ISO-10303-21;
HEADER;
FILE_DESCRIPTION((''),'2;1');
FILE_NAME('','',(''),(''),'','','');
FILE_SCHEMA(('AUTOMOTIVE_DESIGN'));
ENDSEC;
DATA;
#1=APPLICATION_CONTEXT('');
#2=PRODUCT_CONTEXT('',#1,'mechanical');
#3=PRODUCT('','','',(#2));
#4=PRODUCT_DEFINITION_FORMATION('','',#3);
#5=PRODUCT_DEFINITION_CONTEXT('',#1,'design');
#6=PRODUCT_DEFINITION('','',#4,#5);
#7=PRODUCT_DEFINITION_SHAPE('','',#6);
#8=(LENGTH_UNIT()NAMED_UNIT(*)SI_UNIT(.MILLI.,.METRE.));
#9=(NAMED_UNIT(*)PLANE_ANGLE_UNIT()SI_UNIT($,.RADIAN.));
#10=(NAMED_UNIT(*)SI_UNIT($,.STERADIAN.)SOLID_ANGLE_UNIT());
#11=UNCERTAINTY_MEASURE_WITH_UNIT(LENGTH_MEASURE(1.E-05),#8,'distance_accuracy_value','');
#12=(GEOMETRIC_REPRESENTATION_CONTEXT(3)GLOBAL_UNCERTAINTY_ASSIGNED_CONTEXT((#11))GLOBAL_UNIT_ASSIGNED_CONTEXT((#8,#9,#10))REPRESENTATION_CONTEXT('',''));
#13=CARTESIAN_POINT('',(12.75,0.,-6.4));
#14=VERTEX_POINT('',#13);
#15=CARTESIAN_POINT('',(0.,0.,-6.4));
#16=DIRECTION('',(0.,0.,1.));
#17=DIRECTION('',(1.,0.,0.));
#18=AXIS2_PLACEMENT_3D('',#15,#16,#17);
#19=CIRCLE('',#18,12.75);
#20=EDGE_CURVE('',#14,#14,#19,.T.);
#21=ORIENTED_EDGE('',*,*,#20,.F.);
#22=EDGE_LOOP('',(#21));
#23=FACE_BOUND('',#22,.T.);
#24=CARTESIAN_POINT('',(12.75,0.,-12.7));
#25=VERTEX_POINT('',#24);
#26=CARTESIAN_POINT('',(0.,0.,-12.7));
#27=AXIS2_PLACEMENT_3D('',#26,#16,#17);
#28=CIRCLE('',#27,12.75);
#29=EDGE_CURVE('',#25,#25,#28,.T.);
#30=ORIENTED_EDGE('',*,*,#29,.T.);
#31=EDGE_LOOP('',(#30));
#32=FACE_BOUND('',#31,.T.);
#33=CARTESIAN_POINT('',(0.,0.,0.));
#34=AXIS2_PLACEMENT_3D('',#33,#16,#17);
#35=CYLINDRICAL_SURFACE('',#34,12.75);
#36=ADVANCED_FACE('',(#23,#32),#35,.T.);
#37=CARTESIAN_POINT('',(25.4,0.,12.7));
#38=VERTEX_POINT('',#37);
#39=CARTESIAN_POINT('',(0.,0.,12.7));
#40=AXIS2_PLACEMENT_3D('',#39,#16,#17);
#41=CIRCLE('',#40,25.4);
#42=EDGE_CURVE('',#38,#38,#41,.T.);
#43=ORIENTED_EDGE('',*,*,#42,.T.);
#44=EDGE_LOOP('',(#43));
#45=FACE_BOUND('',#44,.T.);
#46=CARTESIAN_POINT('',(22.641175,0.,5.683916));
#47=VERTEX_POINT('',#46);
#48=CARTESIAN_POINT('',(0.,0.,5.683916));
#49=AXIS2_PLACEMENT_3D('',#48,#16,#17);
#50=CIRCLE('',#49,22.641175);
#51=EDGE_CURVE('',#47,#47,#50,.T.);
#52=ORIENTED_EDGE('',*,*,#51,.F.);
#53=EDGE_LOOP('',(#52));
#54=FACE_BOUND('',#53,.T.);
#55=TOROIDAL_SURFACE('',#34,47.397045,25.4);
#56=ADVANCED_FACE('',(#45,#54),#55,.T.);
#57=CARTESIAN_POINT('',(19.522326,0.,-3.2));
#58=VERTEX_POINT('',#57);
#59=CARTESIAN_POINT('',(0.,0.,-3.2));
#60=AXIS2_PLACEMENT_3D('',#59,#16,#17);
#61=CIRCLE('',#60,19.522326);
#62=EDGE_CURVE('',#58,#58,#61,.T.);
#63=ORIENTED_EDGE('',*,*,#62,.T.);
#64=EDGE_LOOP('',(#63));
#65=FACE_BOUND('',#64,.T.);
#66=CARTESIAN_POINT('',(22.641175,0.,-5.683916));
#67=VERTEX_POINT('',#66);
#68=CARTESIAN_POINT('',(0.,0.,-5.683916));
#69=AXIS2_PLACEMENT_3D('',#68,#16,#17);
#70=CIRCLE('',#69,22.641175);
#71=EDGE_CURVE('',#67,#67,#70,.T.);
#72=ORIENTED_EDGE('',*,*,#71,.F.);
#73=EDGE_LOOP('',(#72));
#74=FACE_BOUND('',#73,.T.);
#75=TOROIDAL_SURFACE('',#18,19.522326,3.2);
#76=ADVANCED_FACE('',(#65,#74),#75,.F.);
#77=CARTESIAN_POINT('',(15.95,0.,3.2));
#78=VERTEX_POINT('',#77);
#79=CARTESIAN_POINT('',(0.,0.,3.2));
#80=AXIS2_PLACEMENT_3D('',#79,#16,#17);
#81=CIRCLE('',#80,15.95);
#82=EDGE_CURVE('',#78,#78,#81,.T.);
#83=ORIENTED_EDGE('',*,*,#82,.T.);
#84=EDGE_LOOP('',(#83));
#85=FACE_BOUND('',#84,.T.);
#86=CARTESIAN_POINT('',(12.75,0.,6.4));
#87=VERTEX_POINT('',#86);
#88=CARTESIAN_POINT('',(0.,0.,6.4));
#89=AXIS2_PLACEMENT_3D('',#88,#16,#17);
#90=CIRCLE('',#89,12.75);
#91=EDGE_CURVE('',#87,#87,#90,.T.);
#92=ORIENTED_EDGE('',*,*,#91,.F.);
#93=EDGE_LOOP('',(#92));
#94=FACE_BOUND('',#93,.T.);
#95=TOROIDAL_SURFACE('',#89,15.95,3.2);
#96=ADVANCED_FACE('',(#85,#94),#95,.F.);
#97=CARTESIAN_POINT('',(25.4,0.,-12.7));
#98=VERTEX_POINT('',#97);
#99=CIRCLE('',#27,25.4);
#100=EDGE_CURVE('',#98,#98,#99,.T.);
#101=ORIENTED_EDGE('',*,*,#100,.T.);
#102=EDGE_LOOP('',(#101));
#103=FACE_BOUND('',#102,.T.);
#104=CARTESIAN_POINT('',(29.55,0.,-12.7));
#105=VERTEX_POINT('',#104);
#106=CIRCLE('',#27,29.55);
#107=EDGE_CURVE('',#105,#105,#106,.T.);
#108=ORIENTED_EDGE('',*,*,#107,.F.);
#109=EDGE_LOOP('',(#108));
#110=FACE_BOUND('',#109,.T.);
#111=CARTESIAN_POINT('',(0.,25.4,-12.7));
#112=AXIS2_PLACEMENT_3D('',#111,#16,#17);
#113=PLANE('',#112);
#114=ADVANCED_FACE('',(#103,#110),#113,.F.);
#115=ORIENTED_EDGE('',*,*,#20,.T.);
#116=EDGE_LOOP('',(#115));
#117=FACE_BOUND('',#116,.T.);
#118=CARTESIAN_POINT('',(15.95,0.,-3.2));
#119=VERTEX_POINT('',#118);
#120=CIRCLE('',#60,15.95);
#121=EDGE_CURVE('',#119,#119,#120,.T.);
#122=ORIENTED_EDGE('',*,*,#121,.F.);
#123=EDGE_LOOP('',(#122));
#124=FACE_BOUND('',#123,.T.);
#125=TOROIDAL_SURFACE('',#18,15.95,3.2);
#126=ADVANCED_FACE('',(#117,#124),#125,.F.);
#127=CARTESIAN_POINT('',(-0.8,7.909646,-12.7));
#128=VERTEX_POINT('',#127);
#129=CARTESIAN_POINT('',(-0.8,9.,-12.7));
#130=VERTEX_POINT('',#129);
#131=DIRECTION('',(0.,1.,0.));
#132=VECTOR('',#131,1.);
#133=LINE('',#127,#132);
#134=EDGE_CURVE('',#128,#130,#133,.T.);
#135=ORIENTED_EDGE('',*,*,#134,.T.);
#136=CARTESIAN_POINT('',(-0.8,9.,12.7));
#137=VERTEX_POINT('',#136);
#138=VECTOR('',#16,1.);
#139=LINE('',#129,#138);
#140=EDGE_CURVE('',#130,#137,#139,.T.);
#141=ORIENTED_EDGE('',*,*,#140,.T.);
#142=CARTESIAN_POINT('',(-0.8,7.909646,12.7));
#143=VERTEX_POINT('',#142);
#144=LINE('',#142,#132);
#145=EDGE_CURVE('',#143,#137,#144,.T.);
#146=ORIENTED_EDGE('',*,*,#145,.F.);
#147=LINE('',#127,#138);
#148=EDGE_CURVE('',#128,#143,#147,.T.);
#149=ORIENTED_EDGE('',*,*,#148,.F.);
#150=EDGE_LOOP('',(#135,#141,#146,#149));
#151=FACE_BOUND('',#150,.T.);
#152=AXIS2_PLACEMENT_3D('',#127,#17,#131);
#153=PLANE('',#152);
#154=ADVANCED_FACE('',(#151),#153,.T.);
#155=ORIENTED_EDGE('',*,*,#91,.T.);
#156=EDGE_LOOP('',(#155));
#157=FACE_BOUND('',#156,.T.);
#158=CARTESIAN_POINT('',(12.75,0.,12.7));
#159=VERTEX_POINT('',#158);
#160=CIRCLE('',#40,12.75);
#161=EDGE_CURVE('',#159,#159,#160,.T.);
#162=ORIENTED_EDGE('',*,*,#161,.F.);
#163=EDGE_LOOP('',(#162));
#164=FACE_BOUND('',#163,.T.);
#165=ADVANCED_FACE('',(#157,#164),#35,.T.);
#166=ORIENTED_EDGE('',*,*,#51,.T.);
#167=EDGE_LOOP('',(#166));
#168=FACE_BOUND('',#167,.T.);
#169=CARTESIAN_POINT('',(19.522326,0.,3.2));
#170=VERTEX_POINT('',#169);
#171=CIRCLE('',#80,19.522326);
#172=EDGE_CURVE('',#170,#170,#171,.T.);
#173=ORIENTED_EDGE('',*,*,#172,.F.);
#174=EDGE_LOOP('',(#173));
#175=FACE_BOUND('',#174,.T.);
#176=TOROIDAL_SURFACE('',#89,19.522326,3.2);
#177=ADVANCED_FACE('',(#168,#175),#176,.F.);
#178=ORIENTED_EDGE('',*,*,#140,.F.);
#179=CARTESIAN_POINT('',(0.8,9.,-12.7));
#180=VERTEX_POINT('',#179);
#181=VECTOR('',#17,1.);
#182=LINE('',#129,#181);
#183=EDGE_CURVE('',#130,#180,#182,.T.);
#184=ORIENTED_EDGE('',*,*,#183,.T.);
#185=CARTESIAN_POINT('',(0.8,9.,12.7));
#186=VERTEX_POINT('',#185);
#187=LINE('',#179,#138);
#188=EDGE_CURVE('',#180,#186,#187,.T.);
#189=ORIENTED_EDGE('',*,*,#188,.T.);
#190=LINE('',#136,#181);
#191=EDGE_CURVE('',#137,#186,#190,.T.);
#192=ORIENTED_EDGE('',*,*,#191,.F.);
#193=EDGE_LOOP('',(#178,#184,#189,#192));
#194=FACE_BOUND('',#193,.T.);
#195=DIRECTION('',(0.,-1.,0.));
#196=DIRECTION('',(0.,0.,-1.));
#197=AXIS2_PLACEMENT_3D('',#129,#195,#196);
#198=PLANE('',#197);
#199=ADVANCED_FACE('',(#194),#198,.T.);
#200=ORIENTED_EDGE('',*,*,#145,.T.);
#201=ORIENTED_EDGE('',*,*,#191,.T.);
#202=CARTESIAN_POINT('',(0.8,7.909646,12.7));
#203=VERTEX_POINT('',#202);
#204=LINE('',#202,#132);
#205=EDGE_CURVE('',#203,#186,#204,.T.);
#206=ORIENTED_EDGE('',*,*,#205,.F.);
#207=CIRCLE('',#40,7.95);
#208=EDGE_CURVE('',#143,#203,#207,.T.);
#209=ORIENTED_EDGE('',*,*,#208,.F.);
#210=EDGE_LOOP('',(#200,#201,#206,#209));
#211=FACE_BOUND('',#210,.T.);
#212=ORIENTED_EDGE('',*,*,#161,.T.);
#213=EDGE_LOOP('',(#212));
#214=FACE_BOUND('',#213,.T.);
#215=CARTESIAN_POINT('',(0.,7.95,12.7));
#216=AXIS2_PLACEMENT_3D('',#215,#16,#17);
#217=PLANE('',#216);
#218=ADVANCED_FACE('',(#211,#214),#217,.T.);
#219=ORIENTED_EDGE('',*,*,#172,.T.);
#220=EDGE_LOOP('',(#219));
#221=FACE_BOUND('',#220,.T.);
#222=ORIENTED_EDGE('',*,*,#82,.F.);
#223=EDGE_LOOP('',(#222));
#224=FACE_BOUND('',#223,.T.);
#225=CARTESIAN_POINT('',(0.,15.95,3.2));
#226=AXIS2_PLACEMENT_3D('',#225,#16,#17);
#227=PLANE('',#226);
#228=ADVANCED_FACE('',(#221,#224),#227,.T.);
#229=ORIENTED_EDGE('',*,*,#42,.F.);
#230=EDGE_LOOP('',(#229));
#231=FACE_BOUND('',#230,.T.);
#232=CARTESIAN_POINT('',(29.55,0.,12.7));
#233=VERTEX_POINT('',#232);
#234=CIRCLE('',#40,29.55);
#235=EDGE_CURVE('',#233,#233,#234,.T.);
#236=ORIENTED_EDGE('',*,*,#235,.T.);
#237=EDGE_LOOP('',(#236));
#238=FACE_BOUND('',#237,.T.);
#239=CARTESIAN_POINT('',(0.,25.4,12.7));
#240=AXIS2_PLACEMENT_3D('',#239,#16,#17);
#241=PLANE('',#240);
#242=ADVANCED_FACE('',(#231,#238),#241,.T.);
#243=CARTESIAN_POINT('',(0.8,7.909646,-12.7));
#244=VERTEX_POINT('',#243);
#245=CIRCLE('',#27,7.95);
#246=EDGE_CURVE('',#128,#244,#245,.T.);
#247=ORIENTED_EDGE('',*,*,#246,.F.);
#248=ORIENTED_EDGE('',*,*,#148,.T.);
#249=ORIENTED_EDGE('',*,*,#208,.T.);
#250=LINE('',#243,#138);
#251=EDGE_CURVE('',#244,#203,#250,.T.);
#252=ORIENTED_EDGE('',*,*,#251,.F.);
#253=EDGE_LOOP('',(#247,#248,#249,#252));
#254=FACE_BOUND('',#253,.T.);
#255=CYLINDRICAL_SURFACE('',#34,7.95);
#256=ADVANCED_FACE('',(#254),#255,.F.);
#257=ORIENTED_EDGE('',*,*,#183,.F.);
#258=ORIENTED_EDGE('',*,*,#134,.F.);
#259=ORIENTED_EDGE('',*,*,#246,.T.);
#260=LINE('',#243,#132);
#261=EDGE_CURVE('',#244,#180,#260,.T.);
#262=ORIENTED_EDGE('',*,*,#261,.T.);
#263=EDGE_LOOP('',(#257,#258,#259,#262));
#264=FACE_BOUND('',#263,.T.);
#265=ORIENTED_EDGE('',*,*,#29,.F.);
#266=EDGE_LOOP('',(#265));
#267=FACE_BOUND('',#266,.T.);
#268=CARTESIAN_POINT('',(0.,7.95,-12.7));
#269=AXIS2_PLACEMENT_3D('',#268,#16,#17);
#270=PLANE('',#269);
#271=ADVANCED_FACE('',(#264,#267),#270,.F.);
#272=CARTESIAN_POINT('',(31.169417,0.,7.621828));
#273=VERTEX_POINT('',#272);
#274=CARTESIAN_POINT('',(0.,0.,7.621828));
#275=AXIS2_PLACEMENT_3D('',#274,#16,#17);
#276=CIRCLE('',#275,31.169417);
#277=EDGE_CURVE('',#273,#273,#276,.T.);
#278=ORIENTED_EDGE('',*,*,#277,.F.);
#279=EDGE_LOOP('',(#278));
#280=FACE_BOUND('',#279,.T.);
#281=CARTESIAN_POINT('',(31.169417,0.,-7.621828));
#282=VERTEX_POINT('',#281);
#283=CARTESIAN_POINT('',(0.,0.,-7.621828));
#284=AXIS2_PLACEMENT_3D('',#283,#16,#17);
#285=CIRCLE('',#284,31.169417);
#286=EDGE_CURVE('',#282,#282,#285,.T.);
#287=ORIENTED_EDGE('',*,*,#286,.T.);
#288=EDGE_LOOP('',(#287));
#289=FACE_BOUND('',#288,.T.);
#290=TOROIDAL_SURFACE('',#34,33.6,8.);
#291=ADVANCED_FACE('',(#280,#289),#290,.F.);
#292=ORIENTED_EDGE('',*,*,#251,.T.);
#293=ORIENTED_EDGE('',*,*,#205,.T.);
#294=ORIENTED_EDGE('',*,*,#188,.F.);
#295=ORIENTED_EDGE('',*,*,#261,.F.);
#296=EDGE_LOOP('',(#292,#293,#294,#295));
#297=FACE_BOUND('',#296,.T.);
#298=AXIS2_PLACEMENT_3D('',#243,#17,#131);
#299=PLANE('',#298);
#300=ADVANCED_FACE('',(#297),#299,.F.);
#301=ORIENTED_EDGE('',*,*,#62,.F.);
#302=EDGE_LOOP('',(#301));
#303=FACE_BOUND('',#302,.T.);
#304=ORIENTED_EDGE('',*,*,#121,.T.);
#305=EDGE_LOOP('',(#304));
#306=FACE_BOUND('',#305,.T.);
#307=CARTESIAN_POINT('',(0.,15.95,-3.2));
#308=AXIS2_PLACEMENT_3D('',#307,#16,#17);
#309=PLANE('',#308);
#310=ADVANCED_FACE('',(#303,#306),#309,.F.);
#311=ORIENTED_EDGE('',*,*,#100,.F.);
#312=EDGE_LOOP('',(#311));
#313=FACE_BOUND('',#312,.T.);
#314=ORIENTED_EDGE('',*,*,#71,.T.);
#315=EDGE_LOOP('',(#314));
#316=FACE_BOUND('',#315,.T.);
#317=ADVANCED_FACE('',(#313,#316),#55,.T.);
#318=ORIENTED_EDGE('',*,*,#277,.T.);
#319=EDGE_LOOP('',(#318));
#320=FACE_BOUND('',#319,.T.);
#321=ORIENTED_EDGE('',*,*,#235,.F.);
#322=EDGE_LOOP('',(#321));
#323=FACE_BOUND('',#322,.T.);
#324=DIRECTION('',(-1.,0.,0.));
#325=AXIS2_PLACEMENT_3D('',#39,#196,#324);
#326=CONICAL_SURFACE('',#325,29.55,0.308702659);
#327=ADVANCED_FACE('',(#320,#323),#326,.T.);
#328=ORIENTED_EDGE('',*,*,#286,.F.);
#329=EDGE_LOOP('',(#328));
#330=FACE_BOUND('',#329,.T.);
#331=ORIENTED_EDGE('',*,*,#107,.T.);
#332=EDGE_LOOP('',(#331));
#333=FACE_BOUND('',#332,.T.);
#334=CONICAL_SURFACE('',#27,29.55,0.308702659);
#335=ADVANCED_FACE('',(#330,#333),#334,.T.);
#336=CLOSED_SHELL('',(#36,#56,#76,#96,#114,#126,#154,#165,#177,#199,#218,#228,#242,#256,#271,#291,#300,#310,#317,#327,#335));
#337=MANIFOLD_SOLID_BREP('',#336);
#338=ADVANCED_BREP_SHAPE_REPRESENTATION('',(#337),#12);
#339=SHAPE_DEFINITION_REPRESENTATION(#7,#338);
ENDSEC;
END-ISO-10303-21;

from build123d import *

# Parameters (mm, degrees)
CUT_EXTRUDE1_DEPTH = 51.874601802


with BuildPart() as part:
    # Sketch1 → Base-Revolve (revolve)
    with BuildSketch(Plane(origin=(0, 0, 0), x_dir=(0, 0, -1), z_dir=(1, 0, 0))):
        with BuildLine():
            Line((-12.7, 7.95), (12.7, 7.95))
            Line((12.7, 7.95), (12.7, 12.75))
            Line((12.7, 12.75), (6.4, 12.75))
            ThreePointArc((6.4, 12.75), (4.1372583, 13.6872583), (3.2, 15.95))
            Line((3.2, 15.95), (3.2, 19.522325527))
            ThreePointArc((3.2, 19.522325527), (3.896855125, 21.515881579), (5.683916084, 22.641175287))
            ThreePointArc((5.683916084, 22.641175287), (9.294884136, 23.758831937), (12.7, 25.4))
            Line((12.7, 25.4), (12.7, 29.55))
            Line((12.7, 29.55), (7.621828267, 31.16941697))
            ThreePointArc((7.621828267, 31.16941697), (0, 25.6), (-7.621828267, 31.16941697))
            Line((-7.621828267, 31.16941697), (-12.7, 29.55))
            Line((-12.7, 29.55), (-12.7, 25.4))
            ThreePointArc((-12.7, 25.4), (-9.294884136, 23.758831937), (-5.683916084, 22.641175287))
            ThreePointArc((-5.683916084, 22.641175287), (-3.896855125, 21.515881579), (-3.2, 19.522325527))
            Line((-3.2, 19.522325527), (-3.2, 15.95))
            ThreePointArc((-3.2, 15.95), (-4.1372583, 13.6872583), (-6.4, 12.75))
            Line((-6.4, 12.75), (-12.7, 12.75))
            Line((-12.7, 12.75), (-12.7, 7.95))
        make_face()
    revolve(axis=Axis((0, 0, 0), (0, 0, -1)))

    # Sketch2 → Cut-Extrude1 (cut, through all)
    with BuildSketch(Plane.XY.offset(12.7)):
        with BuildLine():
            Line((-0.8, 7.90964601), (-0.8, 9))
            Line((-0.8, 9), (0.8, 9))
            Line((0.8, 9), (0.8, 7.90964601))
            ThreePointArc((0.8, 7.90964601), (0, 7.95), (-0.8, 7.90964601))
        make_face()
    extrude(amount=-CUT_EXTRUDE1_DEPTH, mode=Mode.SUBTRACT)


solid = part.part
